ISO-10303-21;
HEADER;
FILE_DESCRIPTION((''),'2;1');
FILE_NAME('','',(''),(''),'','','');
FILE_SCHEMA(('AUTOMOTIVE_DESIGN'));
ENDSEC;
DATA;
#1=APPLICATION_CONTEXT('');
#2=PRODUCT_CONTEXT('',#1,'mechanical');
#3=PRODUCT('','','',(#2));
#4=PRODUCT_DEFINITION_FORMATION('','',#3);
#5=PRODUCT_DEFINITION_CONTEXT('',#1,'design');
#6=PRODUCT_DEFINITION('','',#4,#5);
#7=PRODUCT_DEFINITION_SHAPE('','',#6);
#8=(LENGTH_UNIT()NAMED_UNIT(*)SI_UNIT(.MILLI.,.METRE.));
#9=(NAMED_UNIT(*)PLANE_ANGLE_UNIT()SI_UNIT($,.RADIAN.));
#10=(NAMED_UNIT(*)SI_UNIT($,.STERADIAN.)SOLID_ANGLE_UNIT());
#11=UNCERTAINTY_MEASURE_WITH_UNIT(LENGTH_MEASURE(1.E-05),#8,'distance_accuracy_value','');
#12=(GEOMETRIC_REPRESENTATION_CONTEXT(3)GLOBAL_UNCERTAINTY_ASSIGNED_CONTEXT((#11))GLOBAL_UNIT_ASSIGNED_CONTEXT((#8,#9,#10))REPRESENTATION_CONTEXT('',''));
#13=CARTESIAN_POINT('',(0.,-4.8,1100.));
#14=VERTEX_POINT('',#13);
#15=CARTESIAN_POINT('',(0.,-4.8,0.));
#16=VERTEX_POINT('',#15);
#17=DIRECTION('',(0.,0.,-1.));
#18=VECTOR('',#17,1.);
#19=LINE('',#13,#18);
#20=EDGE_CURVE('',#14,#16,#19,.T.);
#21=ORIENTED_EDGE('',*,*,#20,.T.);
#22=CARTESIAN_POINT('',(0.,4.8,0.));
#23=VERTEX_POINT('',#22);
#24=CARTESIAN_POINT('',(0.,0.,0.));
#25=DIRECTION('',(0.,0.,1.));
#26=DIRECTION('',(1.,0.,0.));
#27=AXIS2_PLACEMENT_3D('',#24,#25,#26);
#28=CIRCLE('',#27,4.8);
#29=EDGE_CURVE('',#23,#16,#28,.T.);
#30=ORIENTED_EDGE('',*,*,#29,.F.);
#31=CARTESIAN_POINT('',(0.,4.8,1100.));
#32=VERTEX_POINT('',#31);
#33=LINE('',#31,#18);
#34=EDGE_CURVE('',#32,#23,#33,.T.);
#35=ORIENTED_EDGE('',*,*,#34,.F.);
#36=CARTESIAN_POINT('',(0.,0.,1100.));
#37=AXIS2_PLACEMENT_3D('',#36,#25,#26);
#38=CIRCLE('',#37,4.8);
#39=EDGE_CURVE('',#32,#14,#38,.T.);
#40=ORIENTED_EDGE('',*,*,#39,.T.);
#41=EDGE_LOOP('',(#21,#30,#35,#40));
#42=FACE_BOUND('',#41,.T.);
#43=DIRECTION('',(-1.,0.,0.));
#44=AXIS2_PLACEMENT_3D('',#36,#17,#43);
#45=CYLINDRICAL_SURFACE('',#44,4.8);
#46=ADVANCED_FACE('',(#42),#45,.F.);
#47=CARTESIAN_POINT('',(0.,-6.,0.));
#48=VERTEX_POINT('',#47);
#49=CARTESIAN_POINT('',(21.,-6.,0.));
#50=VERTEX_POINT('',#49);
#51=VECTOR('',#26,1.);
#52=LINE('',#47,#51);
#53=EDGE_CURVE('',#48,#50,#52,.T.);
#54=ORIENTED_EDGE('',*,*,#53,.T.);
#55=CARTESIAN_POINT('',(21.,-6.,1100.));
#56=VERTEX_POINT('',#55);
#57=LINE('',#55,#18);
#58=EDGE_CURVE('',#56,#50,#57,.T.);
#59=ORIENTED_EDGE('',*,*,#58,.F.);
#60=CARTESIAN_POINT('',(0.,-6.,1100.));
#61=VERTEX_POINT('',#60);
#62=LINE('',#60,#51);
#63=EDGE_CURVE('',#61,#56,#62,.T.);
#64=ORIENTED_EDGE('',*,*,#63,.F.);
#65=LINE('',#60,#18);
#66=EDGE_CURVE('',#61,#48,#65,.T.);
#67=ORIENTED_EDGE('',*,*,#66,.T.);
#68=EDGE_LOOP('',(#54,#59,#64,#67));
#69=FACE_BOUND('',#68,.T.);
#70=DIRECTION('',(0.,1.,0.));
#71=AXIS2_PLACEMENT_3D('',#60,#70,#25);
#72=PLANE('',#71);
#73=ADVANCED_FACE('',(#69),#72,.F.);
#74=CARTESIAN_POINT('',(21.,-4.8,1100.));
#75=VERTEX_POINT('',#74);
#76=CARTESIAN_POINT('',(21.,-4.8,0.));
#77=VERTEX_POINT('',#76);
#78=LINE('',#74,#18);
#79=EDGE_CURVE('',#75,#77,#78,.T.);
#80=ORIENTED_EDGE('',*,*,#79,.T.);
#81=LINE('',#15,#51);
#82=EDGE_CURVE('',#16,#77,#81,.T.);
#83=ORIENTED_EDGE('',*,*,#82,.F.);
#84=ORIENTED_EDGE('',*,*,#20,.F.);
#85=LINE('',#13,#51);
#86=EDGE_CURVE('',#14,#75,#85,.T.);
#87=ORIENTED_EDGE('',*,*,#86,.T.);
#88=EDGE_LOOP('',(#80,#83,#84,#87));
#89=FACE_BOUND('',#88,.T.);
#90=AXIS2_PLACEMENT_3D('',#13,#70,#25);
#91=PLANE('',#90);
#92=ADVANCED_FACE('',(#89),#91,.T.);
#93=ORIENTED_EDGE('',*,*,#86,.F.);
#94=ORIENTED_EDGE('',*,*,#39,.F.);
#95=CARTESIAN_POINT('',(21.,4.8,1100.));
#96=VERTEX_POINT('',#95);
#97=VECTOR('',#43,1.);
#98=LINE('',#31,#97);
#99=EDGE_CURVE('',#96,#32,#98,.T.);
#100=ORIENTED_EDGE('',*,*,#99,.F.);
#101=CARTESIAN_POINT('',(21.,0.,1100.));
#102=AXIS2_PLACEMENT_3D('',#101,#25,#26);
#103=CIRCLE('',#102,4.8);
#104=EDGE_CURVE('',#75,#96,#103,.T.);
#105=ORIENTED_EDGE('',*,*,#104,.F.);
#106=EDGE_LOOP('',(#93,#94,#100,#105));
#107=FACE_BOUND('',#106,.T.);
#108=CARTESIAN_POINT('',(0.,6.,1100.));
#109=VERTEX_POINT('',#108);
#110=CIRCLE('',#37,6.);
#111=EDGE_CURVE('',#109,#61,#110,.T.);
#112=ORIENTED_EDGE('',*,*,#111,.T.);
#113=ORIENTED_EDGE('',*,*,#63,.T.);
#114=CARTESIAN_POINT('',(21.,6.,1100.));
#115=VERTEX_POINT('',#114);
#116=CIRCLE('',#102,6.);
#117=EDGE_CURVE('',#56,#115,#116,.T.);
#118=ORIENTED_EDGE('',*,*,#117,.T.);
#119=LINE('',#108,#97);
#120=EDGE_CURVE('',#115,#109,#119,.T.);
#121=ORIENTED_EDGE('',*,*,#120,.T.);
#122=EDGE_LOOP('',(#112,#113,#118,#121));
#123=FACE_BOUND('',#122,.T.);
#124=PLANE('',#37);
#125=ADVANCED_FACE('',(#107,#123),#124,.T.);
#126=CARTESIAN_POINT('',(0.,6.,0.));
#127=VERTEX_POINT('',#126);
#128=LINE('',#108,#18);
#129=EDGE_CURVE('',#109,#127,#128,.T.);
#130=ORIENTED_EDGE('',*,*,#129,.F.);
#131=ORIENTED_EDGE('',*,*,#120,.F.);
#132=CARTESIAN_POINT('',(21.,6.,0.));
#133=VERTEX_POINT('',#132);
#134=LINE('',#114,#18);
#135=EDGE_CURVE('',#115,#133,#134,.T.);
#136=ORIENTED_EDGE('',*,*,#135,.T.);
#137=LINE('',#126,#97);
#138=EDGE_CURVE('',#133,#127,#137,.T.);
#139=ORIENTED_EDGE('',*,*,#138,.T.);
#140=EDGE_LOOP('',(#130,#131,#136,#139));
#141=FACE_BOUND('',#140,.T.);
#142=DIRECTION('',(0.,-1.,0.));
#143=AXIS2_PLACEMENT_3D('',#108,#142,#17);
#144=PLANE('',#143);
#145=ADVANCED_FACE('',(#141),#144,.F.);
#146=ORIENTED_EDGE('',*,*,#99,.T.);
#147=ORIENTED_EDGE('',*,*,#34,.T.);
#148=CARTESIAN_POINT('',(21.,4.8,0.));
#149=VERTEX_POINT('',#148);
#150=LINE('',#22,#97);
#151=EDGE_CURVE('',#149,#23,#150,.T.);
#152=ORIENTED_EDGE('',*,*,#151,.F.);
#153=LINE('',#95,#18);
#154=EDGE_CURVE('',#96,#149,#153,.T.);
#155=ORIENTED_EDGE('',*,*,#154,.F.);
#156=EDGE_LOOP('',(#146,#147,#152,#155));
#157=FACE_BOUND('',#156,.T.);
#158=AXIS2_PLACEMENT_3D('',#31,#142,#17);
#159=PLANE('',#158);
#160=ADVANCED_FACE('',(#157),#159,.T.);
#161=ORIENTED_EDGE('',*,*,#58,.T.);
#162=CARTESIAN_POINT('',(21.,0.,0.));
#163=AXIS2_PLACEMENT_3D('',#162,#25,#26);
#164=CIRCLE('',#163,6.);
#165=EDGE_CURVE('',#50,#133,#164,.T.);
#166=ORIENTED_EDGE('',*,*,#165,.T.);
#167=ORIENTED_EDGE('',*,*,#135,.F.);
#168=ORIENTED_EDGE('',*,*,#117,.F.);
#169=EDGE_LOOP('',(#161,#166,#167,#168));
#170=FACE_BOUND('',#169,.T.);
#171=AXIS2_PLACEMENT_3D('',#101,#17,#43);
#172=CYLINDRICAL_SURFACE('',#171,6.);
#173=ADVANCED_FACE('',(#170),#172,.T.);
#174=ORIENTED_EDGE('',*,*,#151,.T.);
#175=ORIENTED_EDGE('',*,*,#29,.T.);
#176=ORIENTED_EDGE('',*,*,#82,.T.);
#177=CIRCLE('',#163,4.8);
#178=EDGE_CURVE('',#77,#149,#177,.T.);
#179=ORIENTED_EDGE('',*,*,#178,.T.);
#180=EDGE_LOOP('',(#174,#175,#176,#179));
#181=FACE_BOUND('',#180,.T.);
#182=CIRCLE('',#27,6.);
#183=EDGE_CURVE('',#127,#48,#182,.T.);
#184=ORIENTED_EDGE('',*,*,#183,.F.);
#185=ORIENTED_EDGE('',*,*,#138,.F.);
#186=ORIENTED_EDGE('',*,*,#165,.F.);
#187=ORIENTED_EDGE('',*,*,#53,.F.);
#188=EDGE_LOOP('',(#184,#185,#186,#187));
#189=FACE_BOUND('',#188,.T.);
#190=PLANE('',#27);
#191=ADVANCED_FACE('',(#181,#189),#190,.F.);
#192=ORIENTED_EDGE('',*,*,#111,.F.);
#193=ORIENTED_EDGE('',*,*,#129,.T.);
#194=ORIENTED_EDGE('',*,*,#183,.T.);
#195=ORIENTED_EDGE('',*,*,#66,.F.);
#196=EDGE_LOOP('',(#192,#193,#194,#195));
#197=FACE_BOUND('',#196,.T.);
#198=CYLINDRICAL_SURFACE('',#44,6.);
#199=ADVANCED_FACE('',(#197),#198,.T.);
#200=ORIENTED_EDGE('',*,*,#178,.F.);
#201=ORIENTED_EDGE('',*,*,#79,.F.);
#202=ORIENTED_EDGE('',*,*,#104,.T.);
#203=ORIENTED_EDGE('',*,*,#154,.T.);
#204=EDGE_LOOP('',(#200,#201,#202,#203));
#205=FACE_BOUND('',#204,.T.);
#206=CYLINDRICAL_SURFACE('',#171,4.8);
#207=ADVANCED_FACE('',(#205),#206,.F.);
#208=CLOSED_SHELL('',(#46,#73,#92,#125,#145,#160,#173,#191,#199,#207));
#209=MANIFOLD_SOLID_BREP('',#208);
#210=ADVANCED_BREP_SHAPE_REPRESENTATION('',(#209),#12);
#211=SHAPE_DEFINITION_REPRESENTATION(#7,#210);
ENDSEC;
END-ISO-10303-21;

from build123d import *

# Parameters (mm, degrees)
BOSS_EXTRUDE1_DEPTH = 1100


with BuildPart() as part:
    # Sketch1 → Boss-Extrude1 (new body)
    with BuildSketch(Plane.XY):
        with BuildLine():
            Line((0, 6), (21, 6))
            ThreePointArc((21, 6), (27, 0), (21, -6))
            Line((21, -6), (0, -6))
            ThreePointArc((0, -6), (-6, 0), (0, 6))
        make_face()
        with BuildLine():
            Line((0, 4.8), (21, 4.8))
            ThreePointArc((21, 4.8), (25.8, 0), (21, -4.8))
            Line((21, -4.8), (0, -4.8))
            ThreePointArc((0, -4.8), (-4.8, 0), (0, 4.8))
        make_face(mode=Mode.SUBTRACT)
    extrude(amount=BOSS_EXTRUDE1_DEPTH)


solid = part.part
